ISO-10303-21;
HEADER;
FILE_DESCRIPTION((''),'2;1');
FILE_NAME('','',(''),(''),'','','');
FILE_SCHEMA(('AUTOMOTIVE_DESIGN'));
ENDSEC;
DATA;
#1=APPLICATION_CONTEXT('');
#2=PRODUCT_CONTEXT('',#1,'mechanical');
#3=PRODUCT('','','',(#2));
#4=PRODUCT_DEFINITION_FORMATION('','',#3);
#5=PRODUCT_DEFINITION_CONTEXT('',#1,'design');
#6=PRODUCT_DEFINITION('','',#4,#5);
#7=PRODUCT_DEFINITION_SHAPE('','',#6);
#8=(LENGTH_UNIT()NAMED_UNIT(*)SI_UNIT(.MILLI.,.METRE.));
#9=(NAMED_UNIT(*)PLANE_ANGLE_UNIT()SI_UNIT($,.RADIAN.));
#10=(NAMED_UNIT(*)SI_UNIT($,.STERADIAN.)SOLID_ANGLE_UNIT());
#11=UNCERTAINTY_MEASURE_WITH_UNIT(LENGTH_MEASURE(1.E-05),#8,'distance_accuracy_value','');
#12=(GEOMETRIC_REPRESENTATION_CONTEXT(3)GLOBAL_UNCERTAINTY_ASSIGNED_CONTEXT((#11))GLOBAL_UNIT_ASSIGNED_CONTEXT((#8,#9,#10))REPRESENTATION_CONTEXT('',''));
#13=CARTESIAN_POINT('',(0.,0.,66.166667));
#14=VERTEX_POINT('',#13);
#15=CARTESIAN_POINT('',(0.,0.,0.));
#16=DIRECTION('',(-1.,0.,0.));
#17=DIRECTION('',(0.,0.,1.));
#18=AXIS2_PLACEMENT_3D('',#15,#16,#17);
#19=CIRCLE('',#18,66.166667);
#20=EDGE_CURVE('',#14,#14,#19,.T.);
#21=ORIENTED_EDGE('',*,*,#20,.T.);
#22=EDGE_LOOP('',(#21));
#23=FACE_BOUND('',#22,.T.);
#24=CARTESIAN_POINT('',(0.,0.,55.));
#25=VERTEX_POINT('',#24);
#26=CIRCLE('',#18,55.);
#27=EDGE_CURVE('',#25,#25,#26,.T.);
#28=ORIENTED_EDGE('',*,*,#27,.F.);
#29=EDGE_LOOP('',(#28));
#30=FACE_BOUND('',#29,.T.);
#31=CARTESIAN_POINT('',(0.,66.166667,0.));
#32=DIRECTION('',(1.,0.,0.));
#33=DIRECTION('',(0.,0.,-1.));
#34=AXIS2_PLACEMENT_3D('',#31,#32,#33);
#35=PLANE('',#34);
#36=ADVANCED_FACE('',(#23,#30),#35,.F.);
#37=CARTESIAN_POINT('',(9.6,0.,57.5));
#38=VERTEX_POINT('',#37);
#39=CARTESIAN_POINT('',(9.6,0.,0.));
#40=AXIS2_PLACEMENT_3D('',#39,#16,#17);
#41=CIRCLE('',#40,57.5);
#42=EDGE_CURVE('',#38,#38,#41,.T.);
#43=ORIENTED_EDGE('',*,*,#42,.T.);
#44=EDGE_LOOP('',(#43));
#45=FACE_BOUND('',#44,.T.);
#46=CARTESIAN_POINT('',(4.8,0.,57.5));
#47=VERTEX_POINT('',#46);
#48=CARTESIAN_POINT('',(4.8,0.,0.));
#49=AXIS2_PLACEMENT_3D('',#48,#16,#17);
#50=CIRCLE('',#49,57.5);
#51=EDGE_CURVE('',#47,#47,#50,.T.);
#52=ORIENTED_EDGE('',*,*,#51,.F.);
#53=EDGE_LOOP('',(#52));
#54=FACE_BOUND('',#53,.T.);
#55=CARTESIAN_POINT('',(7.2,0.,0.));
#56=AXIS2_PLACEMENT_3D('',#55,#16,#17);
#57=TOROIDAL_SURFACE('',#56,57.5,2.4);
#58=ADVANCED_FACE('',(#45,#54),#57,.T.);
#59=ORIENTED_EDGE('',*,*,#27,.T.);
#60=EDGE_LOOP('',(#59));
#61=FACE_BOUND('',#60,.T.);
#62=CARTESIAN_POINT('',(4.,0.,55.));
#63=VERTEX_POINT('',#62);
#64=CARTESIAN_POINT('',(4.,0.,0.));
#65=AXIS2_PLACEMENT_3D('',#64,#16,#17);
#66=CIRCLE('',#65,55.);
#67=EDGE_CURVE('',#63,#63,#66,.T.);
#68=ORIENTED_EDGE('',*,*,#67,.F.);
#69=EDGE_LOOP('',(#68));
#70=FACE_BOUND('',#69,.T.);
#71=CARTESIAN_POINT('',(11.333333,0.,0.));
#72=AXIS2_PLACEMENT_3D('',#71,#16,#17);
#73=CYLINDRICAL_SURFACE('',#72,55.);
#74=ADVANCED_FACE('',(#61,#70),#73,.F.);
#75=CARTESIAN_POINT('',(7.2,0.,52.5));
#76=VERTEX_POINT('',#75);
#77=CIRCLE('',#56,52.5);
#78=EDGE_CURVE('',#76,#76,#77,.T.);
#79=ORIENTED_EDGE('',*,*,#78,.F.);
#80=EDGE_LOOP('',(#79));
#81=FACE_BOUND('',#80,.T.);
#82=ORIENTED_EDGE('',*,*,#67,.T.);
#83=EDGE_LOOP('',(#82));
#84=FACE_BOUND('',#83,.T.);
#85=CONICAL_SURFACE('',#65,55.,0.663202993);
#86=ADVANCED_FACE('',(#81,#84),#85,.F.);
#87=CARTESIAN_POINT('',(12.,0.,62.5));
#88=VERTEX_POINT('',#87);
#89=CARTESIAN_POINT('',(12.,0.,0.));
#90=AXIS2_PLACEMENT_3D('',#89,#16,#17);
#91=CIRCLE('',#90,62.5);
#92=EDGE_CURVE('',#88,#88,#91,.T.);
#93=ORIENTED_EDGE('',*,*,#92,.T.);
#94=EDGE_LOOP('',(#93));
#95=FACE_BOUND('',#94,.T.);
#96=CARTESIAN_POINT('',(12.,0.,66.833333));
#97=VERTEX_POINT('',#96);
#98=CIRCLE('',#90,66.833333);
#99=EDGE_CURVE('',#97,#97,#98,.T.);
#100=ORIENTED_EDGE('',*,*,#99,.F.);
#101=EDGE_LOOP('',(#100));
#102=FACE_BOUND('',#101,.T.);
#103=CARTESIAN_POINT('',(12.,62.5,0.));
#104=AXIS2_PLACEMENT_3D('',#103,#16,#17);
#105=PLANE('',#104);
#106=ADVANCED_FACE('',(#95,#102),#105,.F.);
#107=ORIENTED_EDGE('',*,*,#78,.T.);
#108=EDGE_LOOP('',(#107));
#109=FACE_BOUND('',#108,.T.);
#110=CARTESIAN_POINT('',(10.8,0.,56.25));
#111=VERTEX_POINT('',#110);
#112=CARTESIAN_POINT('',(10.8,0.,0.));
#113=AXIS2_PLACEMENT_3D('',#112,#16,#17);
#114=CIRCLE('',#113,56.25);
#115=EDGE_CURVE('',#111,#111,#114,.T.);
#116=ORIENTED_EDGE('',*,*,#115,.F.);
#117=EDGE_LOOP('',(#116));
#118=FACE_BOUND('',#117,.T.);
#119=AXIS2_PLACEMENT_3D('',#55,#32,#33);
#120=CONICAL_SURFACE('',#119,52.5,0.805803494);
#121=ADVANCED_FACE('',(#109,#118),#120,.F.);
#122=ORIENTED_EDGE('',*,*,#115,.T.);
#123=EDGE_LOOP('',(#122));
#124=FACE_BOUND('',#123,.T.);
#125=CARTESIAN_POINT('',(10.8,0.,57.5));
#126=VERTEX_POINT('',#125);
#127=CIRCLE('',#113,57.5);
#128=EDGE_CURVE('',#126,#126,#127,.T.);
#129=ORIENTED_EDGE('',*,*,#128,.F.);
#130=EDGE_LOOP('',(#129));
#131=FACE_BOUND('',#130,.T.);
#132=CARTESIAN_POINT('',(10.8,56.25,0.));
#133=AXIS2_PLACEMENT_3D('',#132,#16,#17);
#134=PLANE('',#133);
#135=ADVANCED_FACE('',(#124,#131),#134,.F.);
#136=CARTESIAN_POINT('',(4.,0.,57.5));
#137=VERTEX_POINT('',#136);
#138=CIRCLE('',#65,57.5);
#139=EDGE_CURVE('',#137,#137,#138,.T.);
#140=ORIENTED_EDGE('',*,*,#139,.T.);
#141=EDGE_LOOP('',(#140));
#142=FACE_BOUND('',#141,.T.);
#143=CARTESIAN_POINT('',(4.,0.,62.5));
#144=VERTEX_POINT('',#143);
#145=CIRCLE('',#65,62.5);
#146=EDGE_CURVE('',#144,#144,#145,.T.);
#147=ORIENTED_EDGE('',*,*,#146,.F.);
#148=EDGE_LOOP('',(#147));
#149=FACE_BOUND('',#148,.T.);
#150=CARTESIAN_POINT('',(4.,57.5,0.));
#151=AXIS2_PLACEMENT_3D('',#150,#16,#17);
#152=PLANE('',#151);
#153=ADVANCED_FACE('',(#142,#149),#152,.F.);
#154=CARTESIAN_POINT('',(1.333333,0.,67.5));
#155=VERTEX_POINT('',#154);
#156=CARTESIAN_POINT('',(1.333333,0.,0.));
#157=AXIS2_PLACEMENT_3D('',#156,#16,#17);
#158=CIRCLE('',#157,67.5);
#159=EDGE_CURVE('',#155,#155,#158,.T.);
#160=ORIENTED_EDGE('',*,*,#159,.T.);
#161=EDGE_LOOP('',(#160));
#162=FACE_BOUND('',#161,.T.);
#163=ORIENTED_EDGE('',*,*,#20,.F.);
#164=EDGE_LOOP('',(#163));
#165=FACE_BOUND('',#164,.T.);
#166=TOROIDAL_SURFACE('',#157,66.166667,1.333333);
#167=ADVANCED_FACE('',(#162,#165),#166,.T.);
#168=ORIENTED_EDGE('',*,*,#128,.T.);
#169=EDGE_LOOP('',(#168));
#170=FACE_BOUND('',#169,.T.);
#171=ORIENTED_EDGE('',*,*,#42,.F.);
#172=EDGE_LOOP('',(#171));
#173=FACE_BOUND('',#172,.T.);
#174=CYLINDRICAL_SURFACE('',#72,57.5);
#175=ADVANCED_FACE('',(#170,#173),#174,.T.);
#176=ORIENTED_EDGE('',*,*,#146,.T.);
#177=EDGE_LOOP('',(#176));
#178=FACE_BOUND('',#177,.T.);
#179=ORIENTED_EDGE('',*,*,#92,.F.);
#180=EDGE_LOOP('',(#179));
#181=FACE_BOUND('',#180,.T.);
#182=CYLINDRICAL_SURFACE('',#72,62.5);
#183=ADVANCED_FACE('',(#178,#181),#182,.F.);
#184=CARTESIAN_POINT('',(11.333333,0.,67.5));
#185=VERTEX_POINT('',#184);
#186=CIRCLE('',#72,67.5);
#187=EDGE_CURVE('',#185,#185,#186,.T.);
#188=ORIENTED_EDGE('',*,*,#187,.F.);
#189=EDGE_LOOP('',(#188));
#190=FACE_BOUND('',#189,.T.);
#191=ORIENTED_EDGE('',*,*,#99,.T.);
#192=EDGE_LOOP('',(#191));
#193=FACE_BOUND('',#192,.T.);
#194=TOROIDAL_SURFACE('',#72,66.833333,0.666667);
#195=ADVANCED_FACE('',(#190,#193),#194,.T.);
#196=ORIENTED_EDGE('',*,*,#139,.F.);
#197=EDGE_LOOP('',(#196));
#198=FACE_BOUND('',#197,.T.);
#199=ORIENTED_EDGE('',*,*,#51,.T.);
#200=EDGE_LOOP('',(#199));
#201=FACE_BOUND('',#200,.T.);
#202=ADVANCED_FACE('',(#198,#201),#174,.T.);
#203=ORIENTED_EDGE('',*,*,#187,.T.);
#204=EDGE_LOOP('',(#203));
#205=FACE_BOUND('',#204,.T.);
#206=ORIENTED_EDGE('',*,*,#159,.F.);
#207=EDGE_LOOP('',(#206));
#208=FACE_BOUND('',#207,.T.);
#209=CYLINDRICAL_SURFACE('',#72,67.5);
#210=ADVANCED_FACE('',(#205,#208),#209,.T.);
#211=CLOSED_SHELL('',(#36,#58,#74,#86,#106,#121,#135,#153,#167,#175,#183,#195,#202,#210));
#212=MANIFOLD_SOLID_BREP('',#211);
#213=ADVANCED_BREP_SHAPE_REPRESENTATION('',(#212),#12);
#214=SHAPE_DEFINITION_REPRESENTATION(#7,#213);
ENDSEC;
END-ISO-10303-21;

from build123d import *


with BuildPart() as part:
    # Schizzo1 → Rivoluzione1 (revolve)
    with BuildSketch(Plane.XY, mode=Mode.PRIVATE) as rivoluzione1_sk:
        with BuildLine():
            Line((0, 66.166666667), (0, 55))
            Line((0, 55), (4, 55))
            Line((4, 55), (7.2, 52.5))
            Line((7.2, 52.5), (10.8, 56.25))
            Line((10.8, 56.25), (10.8, 57.5))
            Line((10.8, 57.5), (9.6, 57.5))
            ThreePointArc((9.6, 57.5), (7.2, 59.9), (4.8, 57.5))
            Line((4.8, 57.5), (4, 57.5))
            Line((4, 57.5), (4, 62.5))
            Line((4, 62.5), (12, 62.5))
            Line((12, 62.5), (12, 66.833333333))
            ThreePointArc((12, 66.833333333), (11.804737854, 67.304737854), (11.333333333, 67.5))
            Line((11.333333333, 67.5), (1.333333333, 67.5))
            ThreePointArc((1.333333333, 67.5), (0.390524292, 67.109475708), (0, 66.166666667))
        make_face()
    revolve(rivoluzione1_sk.sketch.rotate(Axis((11.333333333, 0, 0), (-1, 0, 0)), 270), axis=Axis((11.333333333, 0, 0), (-1, 0, 0)))


solid = part.part
